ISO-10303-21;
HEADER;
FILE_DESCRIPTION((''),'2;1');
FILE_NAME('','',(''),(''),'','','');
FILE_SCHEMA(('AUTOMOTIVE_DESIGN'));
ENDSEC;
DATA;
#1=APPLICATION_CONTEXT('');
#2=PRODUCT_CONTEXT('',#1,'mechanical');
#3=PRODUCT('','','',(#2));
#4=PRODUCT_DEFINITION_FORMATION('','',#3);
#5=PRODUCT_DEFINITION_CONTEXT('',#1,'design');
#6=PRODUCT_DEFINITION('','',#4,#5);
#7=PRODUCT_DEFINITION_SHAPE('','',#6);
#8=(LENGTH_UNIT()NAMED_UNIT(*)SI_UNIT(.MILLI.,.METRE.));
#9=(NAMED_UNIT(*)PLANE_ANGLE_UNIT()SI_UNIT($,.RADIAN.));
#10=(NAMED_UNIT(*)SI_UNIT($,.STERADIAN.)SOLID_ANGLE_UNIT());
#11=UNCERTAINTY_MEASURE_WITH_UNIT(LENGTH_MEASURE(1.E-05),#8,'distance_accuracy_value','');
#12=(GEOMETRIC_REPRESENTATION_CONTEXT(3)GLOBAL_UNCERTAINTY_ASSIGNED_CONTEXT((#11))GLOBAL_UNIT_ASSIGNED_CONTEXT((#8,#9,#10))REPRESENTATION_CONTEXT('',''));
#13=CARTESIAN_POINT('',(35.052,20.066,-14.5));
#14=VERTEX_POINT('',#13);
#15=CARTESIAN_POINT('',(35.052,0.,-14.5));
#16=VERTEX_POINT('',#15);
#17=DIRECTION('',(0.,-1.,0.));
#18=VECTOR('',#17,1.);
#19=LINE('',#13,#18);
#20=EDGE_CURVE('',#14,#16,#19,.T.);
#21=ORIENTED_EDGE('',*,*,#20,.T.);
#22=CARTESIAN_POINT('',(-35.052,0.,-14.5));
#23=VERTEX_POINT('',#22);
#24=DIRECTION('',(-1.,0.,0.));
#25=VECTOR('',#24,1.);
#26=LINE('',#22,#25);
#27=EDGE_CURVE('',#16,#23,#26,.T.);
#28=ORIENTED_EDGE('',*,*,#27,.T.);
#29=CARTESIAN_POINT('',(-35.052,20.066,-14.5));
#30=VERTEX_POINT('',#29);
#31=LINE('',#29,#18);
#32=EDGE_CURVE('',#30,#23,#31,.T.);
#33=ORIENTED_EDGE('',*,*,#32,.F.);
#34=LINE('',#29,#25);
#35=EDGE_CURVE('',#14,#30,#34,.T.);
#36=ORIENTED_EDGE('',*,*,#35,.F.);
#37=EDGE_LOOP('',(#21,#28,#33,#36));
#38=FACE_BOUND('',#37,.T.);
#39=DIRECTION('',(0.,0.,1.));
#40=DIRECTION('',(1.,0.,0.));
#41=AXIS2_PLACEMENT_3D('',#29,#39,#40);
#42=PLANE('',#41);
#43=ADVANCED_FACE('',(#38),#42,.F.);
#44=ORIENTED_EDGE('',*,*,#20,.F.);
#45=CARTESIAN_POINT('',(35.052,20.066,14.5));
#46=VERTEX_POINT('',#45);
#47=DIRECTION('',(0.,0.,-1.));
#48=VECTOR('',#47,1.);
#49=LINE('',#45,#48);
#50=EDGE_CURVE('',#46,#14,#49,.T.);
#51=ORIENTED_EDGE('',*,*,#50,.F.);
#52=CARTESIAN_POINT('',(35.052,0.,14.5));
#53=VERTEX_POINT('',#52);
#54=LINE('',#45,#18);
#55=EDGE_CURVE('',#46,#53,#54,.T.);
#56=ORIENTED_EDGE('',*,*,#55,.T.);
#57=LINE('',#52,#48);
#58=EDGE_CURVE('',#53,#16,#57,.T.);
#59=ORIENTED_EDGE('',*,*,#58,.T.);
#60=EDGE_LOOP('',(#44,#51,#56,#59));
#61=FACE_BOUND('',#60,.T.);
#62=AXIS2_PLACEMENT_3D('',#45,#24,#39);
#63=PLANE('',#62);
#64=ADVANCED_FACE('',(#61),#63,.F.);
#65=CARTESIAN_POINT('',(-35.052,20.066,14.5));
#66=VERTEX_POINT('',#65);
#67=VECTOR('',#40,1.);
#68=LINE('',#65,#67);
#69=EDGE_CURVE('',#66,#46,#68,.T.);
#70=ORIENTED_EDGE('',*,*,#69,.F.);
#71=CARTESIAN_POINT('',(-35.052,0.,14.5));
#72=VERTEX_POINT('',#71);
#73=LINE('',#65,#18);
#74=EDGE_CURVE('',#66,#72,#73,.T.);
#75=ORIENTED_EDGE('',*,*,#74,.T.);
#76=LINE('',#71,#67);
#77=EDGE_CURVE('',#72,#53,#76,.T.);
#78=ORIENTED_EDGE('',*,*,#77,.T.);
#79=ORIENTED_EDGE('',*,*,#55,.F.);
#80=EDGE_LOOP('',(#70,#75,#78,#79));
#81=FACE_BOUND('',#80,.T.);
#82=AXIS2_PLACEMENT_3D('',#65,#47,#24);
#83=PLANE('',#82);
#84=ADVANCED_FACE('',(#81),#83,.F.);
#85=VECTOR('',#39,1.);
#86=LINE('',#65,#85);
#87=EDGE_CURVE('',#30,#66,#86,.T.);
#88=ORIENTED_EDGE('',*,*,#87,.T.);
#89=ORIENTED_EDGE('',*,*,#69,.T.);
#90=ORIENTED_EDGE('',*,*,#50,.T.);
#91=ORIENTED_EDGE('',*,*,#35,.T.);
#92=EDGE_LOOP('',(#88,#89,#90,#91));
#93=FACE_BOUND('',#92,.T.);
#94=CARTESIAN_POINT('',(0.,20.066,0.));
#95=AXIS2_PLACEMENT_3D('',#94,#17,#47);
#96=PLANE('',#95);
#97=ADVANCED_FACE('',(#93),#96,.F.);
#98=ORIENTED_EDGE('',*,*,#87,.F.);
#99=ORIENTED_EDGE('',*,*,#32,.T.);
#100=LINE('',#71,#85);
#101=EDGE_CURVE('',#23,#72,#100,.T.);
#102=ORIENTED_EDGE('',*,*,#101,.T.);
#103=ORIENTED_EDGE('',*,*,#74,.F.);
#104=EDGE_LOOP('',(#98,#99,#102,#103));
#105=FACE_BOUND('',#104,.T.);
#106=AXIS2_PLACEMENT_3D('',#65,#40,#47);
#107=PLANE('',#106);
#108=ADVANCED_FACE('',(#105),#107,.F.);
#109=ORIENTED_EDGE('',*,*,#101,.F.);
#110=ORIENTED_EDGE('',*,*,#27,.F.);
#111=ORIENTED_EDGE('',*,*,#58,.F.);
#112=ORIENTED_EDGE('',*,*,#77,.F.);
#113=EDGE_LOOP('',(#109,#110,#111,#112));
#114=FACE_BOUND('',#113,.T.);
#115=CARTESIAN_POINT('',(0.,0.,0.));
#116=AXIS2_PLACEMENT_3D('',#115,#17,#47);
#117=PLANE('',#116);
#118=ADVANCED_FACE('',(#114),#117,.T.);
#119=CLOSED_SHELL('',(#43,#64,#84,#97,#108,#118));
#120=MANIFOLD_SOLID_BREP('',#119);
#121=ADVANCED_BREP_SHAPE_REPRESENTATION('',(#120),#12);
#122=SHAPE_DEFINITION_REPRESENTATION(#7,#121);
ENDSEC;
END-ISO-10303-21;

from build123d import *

# Parameters (mm, degrees)
CROQUIS1_W              = 70.104
CROQUIS1_H              = 29
SALIENTE_EXTRUIR1_DEPTH = 20.066


with BuildPart() as part:
    # Croquis1 → Saliente-Extruir1 (new body)
    with BuildSketch(Plane(origin=(0, 0, 0), x_dir=(1, 0, 0), z_dir=(0, 1, 0))):
        Rectangle(CROQUIS1_W, CROQUIS1_H)
    extrude(amount=SALIENTE_EXTRUIR1_DEPTH)


solid = part.part
